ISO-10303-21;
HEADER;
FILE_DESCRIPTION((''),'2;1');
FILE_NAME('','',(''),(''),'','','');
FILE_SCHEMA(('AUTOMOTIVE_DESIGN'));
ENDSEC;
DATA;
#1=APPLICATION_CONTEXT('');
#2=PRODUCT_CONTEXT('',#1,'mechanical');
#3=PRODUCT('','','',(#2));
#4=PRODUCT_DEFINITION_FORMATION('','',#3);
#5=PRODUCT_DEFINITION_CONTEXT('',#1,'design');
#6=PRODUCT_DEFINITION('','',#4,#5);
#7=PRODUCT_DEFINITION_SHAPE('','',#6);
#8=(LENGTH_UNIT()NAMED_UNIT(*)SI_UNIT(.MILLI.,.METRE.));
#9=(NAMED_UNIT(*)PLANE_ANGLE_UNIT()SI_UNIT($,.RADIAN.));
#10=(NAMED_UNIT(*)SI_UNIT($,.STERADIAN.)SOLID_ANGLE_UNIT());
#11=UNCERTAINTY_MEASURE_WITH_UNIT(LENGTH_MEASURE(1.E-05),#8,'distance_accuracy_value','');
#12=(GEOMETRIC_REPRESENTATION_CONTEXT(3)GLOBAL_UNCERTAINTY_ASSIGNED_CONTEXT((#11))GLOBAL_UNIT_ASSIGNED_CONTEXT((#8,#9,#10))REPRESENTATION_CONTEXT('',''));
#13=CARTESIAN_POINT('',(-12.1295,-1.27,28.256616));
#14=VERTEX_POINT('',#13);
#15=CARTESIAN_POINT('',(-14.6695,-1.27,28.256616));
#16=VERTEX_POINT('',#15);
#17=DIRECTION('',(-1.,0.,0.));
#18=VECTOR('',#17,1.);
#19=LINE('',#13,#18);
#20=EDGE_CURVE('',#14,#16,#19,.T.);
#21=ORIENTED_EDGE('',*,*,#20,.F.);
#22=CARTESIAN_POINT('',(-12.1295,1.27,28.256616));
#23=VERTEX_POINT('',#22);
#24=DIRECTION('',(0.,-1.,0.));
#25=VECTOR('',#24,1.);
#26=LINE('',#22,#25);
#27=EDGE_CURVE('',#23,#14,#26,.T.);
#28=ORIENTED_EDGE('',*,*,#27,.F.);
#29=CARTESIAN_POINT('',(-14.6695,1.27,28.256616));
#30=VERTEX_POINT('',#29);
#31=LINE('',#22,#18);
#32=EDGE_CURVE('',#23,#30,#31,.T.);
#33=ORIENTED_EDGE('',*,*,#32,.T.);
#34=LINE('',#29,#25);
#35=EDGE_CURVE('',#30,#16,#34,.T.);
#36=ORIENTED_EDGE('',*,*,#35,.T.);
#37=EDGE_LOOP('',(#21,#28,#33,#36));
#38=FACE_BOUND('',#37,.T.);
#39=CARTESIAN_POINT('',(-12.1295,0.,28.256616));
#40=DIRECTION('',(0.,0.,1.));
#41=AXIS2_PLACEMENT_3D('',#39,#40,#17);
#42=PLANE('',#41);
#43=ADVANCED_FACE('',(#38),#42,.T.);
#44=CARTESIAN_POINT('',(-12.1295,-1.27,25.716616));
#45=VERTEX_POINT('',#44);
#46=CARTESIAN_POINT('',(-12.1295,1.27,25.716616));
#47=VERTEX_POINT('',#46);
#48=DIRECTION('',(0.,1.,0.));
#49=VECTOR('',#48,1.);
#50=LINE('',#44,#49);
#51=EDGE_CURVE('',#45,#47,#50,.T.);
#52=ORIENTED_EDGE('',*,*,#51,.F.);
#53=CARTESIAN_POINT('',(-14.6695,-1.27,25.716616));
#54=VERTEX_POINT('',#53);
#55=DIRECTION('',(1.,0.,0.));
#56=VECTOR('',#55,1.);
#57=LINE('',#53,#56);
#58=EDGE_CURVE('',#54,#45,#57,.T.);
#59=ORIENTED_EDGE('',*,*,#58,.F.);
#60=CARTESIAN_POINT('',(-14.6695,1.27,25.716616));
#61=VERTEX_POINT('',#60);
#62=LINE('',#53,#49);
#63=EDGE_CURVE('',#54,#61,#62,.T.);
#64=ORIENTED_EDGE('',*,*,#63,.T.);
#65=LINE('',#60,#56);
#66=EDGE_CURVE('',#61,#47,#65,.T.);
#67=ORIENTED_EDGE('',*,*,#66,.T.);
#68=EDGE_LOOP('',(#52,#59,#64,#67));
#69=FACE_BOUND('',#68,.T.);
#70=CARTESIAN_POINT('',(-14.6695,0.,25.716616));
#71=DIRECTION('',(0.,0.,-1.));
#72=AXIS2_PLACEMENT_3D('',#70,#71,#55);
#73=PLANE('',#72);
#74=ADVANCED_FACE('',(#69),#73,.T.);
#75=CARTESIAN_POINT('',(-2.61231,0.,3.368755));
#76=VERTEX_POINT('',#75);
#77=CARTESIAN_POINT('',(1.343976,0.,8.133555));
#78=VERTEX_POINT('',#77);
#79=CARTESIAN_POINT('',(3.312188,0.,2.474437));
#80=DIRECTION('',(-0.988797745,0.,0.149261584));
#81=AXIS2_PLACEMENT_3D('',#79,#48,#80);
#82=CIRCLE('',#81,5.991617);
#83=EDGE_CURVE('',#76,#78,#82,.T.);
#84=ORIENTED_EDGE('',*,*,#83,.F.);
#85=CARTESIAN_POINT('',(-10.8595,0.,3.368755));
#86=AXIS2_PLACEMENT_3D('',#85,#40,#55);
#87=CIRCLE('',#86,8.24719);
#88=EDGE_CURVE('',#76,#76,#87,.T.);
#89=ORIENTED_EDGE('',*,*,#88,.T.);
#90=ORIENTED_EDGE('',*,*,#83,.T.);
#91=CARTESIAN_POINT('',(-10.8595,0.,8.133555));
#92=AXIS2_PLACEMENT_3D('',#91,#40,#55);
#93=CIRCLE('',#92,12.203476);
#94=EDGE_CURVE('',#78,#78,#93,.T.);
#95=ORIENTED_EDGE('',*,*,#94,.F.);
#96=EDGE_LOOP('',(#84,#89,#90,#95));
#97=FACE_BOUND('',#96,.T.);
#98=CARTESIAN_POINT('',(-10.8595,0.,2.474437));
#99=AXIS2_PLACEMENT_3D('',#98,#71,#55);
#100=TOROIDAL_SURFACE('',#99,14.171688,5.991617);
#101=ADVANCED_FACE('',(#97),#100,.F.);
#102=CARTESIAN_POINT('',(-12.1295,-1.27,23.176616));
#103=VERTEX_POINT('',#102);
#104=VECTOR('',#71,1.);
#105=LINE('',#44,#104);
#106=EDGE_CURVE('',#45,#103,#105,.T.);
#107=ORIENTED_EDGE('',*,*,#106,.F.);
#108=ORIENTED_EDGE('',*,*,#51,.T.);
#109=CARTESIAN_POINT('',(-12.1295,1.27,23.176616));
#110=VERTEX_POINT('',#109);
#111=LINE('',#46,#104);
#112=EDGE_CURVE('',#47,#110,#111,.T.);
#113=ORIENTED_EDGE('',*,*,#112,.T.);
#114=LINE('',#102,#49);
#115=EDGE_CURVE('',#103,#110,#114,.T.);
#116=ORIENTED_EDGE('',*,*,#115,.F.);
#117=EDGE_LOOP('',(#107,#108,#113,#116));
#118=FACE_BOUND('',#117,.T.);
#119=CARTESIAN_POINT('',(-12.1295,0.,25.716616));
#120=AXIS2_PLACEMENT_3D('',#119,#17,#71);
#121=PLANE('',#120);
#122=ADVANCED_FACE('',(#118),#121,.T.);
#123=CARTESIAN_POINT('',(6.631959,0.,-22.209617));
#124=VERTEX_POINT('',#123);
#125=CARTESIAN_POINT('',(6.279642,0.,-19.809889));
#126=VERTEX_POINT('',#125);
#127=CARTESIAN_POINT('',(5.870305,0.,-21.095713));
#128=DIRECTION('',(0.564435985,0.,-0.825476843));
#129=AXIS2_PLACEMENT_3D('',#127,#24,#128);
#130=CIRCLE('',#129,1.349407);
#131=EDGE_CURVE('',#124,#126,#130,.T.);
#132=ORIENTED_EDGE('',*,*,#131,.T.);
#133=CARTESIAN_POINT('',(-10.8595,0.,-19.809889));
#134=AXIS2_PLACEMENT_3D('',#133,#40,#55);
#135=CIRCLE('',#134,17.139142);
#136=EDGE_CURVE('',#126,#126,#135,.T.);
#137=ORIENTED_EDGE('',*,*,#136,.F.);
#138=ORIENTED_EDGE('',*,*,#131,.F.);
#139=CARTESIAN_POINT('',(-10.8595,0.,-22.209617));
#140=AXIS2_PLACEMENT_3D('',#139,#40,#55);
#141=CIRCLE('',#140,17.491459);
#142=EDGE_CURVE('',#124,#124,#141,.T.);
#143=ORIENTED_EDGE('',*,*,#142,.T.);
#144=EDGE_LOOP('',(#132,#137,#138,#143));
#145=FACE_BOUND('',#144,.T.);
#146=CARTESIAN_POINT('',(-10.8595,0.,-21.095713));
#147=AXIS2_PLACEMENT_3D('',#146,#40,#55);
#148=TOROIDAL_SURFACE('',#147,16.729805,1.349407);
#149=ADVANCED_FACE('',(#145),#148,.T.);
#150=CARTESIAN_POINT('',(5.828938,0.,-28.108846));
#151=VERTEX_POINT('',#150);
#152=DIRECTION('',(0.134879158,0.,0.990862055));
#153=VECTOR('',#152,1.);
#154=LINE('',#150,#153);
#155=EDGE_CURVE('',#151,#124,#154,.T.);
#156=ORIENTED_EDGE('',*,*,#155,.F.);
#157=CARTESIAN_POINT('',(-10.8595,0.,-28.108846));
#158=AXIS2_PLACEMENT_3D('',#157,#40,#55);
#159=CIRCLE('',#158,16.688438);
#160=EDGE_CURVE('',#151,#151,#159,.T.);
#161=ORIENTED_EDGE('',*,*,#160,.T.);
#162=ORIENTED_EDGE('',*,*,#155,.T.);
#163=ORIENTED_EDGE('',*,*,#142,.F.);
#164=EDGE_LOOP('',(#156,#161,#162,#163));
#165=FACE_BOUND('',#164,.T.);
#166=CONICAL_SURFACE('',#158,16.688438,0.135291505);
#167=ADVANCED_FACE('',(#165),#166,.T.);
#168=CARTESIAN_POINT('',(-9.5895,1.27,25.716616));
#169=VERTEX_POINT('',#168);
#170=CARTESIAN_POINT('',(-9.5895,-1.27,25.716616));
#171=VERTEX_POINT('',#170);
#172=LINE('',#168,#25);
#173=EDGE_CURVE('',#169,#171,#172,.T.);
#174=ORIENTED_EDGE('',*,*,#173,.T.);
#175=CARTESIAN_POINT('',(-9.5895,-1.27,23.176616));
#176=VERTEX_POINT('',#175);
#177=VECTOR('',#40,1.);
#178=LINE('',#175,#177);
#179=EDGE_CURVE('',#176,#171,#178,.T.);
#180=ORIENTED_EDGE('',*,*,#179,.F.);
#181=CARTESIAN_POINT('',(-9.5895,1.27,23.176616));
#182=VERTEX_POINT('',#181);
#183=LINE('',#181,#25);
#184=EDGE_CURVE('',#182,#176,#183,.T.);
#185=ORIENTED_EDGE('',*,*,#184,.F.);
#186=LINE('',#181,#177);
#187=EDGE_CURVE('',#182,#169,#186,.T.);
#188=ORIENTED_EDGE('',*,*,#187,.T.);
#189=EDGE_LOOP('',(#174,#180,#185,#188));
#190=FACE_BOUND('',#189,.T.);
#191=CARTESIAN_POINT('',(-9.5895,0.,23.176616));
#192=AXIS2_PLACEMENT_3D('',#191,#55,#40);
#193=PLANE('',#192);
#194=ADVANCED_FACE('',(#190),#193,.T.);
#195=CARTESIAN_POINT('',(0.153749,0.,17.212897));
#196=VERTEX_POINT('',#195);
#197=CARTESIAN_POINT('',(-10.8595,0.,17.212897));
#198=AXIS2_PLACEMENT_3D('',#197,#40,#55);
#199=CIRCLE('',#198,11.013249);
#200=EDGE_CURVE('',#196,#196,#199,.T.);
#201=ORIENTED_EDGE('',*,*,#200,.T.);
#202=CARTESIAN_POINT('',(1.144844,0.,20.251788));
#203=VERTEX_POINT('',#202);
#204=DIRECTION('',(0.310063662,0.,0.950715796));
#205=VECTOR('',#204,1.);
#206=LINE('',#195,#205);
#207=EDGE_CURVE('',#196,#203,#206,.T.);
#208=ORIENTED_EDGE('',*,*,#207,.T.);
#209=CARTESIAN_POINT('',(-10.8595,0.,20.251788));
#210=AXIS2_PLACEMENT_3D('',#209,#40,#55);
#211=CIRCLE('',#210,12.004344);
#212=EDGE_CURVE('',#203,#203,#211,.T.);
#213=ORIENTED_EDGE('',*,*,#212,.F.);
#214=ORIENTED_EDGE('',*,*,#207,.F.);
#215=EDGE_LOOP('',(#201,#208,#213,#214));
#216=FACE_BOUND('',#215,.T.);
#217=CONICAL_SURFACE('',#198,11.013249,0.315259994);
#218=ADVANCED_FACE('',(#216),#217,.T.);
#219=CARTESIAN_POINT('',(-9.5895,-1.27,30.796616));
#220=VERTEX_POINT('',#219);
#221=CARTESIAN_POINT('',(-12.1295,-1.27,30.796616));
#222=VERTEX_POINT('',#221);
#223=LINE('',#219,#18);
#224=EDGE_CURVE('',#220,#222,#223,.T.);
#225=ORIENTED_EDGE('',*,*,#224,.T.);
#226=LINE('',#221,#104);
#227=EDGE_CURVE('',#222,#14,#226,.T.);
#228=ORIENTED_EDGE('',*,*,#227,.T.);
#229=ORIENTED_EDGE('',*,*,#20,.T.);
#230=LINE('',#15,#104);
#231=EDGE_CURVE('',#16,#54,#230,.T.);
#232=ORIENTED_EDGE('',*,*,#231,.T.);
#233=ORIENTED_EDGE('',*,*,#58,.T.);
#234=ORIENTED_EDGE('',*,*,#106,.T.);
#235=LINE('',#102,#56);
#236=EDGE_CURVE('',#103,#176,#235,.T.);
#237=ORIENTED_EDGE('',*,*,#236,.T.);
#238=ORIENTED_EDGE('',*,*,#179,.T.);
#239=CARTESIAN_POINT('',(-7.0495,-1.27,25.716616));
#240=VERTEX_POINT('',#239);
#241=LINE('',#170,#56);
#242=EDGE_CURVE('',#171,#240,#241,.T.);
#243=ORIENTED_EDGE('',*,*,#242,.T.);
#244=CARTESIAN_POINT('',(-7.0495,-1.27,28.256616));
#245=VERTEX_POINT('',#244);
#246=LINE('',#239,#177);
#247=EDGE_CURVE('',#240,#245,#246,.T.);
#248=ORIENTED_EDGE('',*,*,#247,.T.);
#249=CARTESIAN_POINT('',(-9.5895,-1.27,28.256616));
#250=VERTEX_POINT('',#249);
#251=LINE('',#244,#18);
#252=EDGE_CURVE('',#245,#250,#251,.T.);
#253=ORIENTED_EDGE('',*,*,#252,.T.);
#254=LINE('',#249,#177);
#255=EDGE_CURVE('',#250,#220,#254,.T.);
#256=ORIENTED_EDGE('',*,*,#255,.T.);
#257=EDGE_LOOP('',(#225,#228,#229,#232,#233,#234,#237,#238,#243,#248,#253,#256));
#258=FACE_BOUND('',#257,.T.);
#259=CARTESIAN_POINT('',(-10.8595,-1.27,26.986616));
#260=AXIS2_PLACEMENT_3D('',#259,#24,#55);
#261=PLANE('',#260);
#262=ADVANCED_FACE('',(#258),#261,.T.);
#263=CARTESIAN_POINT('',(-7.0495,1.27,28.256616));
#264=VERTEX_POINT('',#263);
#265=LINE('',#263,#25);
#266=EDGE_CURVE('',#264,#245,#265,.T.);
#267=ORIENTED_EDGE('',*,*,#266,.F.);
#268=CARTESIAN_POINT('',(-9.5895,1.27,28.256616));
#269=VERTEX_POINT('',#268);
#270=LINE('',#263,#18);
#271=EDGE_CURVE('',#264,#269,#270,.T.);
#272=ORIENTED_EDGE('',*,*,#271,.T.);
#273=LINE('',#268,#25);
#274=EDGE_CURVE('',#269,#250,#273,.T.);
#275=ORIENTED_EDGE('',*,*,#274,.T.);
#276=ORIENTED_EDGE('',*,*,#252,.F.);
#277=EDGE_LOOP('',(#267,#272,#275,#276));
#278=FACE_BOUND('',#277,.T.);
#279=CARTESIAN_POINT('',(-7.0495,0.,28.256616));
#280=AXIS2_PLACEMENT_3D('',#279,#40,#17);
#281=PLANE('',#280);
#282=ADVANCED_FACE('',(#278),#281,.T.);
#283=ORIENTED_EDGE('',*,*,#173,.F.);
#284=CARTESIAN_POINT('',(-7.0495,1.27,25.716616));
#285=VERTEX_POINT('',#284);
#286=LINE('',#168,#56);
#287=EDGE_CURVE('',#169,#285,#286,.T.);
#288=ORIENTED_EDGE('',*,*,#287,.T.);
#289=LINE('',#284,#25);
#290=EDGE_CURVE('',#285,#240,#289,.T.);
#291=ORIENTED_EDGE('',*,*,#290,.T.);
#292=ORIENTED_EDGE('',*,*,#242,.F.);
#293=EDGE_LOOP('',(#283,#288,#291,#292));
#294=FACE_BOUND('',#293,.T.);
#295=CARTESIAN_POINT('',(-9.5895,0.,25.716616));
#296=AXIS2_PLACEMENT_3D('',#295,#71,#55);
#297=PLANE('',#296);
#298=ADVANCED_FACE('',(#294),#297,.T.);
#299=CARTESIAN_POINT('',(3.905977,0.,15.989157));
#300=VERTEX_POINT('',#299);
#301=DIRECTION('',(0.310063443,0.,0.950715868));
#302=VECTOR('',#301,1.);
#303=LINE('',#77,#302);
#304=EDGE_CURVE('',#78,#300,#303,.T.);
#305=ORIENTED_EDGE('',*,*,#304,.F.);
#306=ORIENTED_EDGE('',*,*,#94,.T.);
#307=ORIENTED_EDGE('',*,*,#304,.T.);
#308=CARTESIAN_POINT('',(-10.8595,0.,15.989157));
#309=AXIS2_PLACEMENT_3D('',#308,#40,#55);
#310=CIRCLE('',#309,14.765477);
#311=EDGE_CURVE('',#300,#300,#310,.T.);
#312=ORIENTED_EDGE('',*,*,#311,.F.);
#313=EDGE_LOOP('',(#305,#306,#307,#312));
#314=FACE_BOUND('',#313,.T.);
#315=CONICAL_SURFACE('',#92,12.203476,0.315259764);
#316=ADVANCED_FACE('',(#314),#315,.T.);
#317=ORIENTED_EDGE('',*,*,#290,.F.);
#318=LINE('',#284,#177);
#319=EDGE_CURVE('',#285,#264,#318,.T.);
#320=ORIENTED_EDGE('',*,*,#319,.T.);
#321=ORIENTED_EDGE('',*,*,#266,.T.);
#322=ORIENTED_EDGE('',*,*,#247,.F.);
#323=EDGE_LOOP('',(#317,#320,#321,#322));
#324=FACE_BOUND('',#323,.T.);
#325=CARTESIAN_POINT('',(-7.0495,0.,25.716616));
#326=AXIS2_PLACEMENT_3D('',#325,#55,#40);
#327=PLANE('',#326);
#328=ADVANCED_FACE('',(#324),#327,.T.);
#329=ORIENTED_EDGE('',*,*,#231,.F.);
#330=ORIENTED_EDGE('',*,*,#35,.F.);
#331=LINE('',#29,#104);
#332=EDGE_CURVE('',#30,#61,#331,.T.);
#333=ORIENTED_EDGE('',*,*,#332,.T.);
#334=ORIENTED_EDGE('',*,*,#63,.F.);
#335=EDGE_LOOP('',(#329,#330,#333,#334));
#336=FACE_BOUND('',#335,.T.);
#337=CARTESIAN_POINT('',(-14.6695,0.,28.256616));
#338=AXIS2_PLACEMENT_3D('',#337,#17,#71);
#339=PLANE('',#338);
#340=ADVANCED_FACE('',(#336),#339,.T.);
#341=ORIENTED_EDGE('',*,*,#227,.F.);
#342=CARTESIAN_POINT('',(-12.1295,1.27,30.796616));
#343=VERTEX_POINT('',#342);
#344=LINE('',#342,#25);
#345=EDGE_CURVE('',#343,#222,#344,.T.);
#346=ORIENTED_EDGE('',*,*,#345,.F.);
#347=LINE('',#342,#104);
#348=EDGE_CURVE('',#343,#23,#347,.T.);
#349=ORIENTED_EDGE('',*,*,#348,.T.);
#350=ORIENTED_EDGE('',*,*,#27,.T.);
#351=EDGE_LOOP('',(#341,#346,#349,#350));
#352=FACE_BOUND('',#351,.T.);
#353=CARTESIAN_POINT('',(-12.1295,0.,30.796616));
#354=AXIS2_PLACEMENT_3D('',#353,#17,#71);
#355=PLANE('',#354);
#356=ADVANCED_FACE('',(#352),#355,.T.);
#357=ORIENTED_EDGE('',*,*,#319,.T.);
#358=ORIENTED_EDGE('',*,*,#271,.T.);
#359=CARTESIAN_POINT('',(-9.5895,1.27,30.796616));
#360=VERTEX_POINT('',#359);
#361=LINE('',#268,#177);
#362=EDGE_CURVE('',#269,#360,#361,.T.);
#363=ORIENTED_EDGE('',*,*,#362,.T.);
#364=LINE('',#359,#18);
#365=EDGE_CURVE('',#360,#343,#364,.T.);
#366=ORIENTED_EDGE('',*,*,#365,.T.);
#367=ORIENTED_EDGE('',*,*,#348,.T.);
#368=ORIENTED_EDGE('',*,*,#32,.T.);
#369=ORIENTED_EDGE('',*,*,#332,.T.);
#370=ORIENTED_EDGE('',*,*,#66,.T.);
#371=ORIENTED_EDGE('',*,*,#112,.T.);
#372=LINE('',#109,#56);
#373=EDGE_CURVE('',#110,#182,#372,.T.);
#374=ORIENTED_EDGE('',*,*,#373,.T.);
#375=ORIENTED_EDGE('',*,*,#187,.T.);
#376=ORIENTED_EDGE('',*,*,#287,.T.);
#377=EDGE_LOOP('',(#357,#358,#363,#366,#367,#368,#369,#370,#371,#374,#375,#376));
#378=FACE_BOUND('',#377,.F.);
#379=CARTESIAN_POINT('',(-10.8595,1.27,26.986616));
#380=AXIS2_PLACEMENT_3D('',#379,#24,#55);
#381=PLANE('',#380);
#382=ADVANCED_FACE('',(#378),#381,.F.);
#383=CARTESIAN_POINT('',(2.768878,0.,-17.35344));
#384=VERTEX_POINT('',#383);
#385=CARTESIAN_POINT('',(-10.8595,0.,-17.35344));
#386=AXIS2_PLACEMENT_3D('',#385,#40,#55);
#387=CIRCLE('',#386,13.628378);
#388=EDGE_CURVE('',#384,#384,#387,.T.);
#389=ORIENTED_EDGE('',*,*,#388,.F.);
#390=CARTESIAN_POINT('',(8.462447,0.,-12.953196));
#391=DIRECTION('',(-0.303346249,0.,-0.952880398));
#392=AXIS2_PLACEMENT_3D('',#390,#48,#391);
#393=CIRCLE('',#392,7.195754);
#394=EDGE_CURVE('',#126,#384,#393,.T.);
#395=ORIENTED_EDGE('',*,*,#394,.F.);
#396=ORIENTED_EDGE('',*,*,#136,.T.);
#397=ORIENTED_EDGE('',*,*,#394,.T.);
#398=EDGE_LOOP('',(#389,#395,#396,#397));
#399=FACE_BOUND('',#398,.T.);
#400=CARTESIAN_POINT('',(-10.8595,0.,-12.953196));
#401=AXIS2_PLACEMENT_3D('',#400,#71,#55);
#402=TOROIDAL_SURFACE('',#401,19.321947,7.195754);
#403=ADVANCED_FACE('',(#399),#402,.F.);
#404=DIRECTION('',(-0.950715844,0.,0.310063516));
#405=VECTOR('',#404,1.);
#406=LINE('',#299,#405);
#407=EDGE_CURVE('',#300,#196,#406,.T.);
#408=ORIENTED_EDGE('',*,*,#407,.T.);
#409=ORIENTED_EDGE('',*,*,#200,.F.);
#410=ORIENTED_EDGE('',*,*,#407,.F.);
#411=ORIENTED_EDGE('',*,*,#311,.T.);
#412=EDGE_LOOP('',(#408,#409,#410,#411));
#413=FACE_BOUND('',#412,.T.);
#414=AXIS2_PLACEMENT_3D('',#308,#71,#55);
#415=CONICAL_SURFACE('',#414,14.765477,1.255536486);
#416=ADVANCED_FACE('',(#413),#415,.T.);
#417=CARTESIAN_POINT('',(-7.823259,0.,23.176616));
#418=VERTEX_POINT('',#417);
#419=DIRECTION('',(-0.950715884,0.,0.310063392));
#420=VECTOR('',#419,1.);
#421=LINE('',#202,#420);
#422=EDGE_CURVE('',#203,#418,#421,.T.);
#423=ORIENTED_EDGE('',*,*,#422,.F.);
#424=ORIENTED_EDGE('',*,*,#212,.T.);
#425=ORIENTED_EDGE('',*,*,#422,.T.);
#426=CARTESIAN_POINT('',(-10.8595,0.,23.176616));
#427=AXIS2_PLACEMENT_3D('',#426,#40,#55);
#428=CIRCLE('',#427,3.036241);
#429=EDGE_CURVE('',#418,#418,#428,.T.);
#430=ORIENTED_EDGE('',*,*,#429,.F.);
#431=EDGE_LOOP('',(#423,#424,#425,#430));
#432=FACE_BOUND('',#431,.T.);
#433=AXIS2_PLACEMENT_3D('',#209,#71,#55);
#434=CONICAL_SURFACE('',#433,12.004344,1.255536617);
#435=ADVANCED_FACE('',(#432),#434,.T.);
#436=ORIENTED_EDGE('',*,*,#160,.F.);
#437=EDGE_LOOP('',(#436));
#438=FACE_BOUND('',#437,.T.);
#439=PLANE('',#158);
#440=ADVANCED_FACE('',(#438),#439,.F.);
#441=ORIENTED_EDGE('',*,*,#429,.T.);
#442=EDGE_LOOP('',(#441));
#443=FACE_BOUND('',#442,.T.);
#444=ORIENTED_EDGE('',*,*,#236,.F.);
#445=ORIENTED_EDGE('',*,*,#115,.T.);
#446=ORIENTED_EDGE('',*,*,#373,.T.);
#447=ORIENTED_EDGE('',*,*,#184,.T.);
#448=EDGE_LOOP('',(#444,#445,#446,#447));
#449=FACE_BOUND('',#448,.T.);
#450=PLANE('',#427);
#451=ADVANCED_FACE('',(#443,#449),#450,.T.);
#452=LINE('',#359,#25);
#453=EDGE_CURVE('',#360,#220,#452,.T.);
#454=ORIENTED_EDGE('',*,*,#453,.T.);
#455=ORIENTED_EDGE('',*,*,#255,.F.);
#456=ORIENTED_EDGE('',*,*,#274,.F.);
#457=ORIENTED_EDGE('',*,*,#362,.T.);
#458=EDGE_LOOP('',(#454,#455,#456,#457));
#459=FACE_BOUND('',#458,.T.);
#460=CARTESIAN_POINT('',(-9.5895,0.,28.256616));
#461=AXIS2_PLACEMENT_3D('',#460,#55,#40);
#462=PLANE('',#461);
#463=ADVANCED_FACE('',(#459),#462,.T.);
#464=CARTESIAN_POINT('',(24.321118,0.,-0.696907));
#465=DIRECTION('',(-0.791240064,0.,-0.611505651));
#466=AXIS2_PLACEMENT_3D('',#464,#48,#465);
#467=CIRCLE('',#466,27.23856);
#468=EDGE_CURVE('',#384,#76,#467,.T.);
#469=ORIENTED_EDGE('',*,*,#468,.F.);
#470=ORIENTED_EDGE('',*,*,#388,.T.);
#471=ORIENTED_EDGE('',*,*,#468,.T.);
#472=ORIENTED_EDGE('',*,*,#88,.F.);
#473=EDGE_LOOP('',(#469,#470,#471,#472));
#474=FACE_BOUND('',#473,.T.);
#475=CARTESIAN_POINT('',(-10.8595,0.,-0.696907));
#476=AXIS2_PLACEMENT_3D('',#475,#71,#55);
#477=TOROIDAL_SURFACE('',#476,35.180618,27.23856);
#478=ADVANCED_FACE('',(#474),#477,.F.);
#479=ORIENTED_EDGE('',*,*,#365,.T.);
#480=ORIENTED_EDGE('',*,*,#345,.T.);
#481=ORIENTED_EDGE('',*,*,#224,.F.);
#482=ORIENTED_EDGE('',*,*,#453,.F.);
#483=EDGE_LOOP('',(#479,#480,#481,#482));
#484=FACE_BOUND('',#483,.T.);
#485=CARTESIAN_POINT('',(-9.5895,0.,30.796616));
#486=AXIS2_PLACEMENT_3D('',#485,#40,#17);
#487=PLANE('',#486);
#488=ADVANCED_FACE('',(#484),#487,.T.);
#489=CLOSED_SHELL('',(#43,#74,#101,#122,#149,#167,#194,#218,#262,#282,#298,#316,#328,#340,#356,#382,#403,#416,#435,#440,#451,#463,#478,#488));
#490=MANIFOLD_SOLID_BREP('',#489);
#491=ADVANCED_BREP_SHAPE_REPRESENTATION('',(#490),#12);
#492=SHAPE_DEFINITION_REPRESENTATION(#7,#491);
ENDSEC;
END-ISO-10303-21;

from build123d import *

# Parameters (mm, degrees)
F2_DEPTH = 1.27


with BuildPart() as f1:
    # F0 (on Front) → F1 (revolve)
    with BuildSketch(Plane.XZ):
        with BuildLine():
            Line((-10.8595, 23.176616), (-10.8595, -28.108846))
            Line((-10.8595, -28.108846), (5.828938, -28.108846))
            Line((5.828938, -28.108846), (6.631959, -22.209617))
            ThreePointArc((6.631959, -22.209617), (7.2054, -20.8997), (6.279642, -19.809889))
            ThreePointArc((6.279642, -19.809889), (4.337177, -18.849044), (2.768878, -17.35344))
            ThreePointArc((2.768878, -17.35344), (-2.043012, -7.543205), (-2.61231, 3.368755))
            ThreePointArc((-2.61231, 3.368755), (-1.297535, 6.30196), (1.343976, 8.133555))
            Line((1.343976, 8.133555), (3.905977, 15.989157))
            Line((3.905977, 15.989157), (0.153749, 17.212897))
            Line((0.153749, 17.212897), (1.144844, 20.251788))
            Line((1.144844, 20.251788), (-7.823259, 23.176616))
            Line((-7.823259, 23.176616), (-9.5895, 23.176616))
            Line((-9.5895, 23.176616), (-10.8595, 23.176616))
        make_face()
    revolve(axis=Axis((-10.8595, 0, -2.466115), (0, 0, 1)))

    # F0 (on Front) → F2 (join, symmetric)
    with BuildSketch(Plane.XZ):
        Polygon((-12.1295, 23.176616), (-10.8595, 23.176616), (-9.5895, 23.176616), (-9.5895, 25.716616), (-7.0495, 25.716616), (-7.0495, 28.256616), (-9.5895, 28.256616), (-9.5895, 30.796616), (-10.8595, 30.796616), (-12.1295, 30.796616), (-12.1295, 28.256616), (-14.6695, 28.256616), (-14.6695, 25.716616), (-12.1295, 25.716616), align=None)
    extrude(amount=F2_DEPTH, both=True)


solid = f1.part
